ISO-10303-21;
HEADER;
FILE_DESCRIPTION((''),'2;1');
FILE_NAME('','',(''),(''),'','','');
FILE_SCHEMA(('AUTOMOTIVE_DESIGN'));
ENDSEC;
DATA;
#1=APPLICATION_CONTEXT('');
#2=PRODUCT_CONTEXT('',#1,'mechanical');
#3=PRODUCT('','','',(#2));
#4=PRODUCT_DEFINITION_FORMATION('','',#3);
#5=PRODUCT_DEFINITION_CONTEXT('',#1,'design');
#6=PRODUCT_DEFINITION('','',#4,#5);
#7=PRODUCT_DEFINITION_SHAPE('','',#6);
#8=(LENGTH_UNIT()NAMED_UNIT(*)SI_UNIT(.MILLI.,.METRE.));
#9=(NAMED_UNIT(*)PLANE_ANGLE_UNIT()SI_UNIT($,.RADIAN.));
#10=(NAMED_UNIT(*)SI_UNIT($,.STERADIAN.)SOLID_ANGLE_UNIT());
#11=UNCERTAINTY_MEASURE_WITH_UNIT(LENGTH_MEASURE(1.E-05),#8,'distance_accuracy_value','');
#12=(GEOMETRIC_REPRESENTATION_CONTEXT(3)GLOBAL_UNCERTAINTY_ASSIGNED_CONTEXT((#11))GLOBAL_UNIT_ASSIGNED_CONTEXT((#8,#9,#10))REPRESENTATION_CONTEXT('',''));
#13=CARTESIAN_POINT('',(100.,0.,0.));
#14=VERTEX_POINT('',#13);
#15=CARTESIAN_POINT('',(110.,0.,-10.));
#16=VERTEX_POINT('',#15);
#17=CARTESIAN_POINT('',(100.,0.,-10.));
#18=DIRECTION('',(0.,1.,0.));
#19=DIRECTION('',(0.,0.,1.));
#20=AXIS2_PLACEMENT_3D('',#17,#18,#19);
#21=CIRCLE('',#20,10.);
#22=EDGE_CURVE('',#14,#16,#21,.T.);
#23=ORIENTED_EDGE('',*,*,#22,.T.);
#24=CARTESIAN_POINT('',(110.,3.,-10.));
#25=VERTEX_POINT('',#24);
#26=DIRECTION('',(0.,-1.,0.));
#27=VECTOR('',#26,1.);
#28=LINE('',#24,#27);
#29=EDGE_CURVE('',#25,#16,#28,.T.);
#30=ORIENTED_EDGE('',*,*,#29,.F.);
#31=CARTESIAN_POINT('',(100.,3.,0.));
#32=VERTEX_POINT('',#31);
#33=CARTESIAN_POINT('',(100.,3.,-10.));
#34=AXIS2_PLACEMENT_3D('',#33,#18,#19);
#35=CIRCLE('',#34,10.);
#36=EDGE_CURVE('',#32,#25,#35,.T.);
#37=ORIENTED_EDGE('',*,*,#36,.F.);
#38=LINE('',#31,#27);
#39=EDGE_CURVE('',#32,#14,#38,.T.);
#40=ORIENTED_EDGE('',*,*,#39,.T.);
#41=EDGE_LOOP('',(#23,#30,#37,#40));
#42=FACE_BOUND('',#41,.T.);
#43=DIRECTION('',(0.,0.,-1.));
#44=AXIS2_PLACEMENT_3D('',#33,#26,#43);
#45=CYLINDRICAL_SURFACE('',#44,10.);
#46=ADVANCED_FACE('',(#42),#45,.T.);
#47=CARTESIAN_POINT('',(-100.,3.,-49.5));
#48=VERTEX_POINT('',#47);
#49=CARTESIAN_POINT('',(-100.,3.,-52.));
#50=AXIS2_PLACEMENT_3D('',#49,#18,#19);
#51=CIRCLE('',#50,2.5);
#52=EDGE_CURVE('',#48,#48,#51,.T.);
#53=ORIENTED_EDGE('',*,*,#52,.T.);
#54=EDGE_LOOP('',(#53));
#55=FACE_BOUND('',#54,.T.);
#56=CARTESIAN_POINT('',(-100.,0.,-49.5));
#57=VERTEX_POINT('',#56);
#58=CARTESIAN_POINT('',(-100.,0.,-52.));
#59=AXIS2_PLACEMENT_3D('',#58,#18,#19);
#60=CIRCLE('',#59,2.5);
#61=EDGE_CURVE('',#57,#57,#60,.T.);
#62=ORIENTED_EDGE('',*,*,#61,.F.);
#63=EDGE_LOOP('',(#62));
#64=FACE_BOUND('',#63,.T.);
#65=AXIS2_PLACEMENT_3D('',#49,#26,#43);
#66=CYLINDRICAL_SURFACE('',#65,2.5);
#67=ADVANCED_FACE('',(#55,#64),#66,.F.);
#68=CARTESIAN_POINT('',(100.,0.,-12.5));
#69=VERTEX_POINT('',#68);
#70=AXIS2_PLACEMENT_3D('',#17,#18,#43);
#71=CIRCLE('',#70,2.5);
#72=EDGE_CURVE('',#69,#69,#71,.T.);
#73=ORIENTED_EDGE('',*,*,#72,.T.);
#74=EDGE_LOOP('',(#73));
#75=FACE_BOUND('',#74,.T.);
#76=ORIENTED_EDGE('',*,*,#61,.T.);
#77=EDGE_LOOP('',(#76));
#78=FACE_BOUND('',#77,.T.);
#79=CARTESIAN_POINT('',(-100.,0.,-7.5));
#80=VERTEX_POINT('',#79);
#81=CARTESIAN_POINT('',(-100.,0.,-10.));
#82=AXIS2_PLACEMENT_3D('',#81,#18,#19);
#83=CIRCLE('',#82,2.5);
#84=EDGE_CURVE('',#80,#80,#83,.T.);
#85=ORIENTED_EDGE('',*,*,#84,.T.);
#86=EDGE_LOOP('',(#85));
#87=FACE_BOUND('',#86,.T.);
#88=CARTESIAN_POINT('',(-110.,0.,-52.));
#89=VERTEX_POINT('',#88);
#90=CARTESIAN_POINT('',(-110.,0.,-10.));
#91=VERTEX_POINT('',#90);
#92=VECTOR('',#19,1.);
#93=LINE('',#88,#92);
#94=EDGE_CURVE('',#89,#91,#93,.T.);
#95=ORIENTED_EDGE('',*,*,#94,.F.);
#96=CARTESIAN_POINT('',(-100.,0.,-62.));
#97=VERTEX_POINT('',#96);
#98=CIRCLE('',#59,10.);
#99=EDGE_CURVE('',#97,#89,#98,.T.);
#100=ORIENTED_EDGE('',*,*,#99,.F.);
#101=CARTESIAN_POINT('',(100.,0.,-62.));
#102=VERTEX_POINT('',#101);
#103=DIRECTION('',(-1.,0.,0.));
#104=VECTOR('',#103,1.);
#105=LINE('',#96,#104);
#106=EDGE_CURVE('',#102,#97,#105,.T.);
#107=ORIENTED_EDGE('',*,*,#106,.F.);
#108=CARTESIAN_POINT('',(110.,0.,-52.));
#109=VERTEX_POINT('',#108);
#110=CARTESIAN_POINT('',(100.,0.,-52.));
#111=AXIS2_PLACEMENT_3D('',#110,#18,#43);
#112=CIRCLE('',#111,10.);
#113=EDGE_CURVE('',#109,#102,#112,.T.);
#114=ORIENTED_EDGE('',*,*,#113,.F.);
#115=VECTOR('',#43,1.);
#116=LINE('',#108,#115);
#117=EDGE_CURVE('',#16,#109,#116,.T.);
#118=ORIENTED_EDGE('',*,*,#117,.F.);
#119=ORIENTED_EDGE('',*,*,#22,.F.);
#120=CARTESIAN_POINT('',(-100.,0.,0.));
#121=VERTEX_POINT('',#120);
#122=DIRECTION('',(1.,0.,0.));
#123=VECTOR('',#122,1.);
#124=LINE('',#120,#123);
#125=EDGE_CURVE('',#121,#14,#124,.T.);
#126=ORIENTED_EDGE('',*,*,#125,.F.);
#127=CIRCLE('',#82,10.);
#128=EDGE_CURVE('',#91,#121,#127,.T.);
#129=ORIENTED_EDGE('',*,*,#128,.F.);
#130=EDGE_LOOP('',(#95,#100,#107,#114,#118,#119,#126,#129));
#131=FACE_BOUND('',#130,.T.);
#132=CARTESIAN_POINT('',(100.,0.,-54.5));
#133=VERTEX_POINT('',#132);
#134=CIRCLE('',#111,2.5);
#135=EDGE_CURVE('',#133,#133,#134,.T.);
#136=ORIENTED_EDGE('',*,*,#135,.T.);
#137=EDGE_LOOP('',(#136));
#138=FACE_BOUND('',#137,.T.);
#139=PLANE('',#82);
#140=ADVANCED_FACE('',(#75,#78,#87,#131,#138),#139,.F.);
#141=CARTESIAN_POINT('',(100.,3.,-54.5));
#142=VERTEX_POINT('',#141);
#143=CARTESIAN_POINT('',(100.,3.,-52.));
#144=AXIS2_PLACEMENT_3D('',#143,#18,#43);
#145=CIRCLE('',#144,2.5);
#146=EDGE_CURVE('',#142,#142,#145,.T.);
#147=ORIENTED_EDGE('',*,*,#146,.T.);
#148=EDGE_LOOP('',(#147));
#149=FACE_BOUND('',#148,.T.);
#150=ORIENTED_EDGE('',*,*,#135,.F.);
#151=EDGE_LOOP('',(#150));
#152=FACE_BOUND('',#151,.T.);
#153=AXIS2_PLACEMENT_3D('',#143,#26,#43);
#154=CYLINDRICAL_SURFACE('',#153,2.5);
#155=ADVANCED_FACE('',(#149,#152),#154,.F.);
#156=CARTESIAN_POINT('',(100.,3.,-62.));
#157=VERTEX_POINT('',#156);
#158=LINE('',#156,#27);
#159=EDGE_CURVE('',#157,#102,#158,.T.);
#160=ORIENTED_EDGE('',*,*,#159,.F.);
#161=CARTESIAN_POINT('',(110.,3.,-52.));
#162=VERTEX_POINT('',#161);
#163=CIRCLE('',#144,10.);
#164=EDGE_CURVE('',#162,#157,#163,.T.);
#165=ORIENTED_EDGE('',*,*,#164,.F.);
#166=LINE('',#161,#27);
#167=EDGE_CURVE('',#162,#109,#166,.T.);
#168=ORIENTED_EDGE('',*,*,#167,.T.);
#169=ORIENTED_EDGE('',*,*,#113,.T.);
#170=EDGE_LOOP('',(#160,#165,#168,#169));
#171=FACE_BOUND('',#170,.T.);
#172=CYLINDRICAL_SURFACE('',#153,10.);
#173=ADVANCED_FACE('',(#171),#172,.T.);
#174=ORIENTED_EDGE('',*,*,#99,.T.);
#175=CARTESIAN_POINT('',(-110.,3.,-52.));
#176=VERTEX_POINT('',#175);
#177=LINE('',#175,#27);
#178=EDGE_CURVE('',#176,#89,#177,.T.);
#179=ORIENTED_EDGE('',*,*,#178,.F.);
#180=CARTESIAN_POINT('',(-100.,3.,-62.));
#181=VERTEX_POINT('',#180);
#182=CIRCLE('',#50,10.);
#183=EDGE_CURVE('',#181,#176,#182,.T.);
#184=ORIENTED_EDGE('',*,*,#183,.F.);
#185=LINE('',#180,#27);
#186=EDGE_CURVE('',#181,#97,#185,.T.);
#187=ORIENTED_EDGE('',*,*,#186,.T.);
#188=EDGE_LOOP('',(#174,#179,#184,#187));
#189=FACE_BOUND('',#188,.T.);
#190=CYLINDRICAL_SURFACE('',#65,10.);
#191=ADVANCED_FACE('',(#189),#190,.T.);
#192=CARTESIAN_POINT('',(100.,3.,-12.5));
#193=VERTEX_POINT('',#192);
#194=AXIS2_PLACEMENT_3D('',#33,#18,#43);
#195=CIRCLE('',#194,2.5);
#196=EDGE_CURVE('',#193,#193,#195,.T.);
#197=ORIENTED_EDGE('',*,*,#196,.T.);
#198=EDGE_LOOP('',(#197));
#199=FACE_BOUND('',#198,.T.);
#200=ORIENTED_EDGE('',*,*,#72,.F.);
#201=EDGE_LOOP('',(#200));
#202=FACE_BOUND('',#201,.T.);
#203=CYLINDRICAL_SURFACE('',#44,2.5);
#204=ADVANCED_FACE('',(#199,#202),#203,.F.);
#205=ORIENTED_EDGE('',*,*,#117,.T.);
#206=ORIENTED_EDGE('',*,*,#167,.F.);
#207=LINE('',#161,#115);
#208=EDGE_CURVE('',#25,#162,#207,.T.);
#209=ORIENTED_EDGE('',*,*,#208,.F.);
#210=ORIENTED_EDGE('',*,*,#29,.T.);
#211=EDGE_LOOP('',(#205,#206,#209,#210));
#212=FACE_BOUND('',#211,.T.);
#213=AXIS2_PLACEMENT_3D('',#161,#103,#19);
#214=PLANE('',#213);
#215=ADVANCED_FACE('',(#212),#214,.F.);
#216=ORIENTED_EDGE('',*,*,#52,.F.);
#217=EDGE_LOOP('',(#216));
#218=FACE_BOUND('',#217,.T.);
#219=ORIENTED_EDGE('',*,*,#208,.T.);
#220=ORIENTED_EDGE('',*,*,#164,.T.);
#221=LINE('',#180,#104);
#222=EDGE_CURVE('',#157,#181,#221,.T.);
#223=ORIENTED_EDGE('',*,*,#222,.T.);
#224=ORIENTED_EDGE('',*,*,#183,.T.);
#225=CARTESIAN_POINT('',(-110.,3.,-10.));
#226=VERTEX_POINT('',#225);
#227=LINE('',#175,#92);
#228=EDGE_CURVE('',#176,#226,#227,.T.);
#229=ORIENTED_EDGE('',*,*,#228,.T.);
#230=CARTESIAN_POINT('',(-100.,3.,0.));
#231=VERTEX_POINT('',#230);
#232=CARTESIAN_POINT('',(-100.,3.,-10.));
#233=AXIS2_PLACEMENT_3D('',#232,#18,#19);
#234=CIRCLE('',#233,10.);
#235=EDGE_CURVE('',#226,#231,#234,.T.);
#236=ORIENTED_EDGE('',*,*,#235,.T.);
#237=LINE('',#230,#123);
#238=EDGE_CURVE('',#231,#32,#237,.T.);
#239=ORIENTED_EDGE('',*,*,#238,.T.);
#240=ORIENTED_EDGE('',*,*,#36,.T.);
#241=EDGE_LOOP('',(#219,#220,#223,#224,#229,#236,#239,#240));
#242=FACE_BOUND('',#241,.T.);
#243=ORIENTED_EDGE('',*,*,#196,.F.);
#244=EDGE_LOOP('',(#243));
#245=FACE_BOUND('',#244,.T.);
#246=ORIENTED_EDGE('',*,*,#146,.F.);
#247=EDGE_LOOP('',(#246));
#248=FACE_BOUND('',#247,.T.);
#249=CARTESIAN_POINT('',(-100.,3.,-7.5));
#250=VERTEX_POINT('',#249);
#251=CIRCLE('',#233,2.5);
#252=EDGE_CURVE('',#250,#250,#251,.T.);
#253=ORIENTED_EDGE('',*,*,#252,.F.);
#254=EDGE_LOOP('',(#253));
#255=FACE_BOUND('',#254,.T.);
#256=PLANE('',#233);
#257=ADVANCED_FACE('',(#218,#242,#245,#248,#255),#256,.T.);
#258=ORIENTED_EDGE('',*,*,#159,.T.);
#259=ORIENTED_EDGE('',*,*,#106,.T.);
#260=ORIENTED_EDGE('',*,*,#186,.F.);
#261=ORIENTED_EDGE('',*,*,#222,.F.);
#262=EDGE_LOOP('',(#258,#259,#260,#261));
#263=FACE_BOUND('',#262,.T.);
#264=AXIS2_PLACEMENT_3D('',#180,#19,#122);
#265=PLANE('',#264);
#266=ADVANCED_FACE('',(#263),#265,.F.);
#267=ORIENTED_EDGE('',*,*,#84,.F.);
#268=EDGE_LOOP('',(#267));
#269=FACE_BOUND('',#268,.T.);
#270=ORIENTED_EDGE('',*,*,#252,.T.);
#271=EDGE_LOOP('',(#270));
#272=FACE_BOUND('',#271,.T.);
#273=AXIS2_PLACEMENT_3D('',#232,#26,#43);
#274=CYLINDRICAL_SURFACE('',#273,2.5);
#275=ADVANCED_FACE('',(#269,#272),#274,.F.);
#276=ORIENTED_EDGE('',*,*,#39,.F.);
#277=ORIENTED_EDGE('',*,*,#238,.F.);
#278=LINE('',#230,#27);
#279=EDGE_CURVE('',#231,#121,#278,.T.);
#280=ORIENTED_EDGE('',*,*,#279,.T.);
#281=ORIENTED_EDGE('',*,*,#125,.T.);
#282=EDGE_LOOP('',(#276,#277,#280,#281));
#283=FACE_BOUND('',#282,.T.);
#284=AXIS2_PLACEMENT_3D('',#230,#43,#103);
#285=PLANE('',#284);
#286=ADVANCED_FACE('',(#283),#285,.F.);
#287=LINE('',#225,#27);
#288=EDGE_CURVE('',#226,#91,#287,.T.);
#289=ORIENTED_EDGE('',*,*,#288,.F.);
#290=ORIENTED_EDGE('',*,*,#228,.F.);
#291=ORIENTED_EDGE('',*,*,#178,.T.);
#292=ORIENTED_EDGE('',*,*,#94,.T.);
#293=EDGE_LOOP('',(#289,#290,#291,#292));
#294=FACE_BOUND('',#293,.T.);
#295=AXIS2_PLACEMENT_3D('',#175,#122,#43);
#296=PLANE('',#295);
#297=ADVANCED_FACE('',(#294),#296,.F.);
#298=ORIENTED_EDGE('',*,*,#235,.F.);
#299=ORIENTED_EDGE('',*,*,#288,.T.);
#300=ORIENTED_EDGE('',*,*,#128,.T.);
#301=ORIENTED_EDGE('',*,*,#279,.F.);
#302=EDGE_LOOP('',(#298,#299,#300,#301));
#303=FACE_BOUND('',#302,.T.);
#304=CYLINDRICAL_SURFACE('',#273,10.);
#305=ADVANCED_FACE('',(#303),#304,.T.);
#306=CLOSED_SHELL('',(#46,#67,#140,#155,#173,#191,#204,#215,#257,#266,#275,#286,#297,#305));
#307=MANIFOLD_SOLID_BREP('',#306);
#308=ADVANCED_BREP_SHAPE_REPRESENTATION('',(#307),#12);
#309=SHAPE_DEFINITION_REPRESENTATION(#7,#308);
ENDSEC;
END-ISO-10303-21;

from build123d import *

# Parameters (mm, degrees)
SKETCH1_R           = 2.5
BOSS_EXTRUDE1_DEPTH = 3


with BuildPart() as part:
    # Sketch1 → Boss-Extrude1 (new body)
    with BuildSketch(Plane(origin=(0, 0, 0), x_dir=(1, 0, 0), z_dir=(0, 1, 0))):
        with BuildLine():
            Line((-100, 62), (100, 62))
            ThreePointArc((100, 62), (107.071067812, 59.071067812), (110, 52))
            Line((110, 52), (110, 10))
            ThreePointArc((110, 10), (107.071067812, 2.928932188), (100, 0))
            Line((100, 0), (-100, 0))
            ThreePointArc((-100, 0), (-107.071067812, 2.928932188), (-110, 10))
            Line((-110, 10), (-110, 52))
            ThreePointArc((-110, 52), (-107.071067812, 59.071067812), (-100, 62))
        make_face()
        with Locations(Location((-100, 52, 0), (0, 0, 270))):
            Circle(SKETCH1_R, mode=Mode.SUBTRACT)
        with Locations(Location((-100, 10, 0), (0, 0, 270))):
            Circle(SKETCH1_R, mode=Mode.SUBTRACT)
        with Locations(Location((100, 52, 0), (0, 0, 90))):
            Circle(SKETCH1_R, mode=Mode.SUBTRACT)
        with Locations(Location((100, 10, 0), (0, 0, 90))):
            Circle(SKETCH1_R, mode=Mode.SUBTRACT)
    extrude(amount=BOSS_EXTRUDE1_DEPTH)


solid = part.part
